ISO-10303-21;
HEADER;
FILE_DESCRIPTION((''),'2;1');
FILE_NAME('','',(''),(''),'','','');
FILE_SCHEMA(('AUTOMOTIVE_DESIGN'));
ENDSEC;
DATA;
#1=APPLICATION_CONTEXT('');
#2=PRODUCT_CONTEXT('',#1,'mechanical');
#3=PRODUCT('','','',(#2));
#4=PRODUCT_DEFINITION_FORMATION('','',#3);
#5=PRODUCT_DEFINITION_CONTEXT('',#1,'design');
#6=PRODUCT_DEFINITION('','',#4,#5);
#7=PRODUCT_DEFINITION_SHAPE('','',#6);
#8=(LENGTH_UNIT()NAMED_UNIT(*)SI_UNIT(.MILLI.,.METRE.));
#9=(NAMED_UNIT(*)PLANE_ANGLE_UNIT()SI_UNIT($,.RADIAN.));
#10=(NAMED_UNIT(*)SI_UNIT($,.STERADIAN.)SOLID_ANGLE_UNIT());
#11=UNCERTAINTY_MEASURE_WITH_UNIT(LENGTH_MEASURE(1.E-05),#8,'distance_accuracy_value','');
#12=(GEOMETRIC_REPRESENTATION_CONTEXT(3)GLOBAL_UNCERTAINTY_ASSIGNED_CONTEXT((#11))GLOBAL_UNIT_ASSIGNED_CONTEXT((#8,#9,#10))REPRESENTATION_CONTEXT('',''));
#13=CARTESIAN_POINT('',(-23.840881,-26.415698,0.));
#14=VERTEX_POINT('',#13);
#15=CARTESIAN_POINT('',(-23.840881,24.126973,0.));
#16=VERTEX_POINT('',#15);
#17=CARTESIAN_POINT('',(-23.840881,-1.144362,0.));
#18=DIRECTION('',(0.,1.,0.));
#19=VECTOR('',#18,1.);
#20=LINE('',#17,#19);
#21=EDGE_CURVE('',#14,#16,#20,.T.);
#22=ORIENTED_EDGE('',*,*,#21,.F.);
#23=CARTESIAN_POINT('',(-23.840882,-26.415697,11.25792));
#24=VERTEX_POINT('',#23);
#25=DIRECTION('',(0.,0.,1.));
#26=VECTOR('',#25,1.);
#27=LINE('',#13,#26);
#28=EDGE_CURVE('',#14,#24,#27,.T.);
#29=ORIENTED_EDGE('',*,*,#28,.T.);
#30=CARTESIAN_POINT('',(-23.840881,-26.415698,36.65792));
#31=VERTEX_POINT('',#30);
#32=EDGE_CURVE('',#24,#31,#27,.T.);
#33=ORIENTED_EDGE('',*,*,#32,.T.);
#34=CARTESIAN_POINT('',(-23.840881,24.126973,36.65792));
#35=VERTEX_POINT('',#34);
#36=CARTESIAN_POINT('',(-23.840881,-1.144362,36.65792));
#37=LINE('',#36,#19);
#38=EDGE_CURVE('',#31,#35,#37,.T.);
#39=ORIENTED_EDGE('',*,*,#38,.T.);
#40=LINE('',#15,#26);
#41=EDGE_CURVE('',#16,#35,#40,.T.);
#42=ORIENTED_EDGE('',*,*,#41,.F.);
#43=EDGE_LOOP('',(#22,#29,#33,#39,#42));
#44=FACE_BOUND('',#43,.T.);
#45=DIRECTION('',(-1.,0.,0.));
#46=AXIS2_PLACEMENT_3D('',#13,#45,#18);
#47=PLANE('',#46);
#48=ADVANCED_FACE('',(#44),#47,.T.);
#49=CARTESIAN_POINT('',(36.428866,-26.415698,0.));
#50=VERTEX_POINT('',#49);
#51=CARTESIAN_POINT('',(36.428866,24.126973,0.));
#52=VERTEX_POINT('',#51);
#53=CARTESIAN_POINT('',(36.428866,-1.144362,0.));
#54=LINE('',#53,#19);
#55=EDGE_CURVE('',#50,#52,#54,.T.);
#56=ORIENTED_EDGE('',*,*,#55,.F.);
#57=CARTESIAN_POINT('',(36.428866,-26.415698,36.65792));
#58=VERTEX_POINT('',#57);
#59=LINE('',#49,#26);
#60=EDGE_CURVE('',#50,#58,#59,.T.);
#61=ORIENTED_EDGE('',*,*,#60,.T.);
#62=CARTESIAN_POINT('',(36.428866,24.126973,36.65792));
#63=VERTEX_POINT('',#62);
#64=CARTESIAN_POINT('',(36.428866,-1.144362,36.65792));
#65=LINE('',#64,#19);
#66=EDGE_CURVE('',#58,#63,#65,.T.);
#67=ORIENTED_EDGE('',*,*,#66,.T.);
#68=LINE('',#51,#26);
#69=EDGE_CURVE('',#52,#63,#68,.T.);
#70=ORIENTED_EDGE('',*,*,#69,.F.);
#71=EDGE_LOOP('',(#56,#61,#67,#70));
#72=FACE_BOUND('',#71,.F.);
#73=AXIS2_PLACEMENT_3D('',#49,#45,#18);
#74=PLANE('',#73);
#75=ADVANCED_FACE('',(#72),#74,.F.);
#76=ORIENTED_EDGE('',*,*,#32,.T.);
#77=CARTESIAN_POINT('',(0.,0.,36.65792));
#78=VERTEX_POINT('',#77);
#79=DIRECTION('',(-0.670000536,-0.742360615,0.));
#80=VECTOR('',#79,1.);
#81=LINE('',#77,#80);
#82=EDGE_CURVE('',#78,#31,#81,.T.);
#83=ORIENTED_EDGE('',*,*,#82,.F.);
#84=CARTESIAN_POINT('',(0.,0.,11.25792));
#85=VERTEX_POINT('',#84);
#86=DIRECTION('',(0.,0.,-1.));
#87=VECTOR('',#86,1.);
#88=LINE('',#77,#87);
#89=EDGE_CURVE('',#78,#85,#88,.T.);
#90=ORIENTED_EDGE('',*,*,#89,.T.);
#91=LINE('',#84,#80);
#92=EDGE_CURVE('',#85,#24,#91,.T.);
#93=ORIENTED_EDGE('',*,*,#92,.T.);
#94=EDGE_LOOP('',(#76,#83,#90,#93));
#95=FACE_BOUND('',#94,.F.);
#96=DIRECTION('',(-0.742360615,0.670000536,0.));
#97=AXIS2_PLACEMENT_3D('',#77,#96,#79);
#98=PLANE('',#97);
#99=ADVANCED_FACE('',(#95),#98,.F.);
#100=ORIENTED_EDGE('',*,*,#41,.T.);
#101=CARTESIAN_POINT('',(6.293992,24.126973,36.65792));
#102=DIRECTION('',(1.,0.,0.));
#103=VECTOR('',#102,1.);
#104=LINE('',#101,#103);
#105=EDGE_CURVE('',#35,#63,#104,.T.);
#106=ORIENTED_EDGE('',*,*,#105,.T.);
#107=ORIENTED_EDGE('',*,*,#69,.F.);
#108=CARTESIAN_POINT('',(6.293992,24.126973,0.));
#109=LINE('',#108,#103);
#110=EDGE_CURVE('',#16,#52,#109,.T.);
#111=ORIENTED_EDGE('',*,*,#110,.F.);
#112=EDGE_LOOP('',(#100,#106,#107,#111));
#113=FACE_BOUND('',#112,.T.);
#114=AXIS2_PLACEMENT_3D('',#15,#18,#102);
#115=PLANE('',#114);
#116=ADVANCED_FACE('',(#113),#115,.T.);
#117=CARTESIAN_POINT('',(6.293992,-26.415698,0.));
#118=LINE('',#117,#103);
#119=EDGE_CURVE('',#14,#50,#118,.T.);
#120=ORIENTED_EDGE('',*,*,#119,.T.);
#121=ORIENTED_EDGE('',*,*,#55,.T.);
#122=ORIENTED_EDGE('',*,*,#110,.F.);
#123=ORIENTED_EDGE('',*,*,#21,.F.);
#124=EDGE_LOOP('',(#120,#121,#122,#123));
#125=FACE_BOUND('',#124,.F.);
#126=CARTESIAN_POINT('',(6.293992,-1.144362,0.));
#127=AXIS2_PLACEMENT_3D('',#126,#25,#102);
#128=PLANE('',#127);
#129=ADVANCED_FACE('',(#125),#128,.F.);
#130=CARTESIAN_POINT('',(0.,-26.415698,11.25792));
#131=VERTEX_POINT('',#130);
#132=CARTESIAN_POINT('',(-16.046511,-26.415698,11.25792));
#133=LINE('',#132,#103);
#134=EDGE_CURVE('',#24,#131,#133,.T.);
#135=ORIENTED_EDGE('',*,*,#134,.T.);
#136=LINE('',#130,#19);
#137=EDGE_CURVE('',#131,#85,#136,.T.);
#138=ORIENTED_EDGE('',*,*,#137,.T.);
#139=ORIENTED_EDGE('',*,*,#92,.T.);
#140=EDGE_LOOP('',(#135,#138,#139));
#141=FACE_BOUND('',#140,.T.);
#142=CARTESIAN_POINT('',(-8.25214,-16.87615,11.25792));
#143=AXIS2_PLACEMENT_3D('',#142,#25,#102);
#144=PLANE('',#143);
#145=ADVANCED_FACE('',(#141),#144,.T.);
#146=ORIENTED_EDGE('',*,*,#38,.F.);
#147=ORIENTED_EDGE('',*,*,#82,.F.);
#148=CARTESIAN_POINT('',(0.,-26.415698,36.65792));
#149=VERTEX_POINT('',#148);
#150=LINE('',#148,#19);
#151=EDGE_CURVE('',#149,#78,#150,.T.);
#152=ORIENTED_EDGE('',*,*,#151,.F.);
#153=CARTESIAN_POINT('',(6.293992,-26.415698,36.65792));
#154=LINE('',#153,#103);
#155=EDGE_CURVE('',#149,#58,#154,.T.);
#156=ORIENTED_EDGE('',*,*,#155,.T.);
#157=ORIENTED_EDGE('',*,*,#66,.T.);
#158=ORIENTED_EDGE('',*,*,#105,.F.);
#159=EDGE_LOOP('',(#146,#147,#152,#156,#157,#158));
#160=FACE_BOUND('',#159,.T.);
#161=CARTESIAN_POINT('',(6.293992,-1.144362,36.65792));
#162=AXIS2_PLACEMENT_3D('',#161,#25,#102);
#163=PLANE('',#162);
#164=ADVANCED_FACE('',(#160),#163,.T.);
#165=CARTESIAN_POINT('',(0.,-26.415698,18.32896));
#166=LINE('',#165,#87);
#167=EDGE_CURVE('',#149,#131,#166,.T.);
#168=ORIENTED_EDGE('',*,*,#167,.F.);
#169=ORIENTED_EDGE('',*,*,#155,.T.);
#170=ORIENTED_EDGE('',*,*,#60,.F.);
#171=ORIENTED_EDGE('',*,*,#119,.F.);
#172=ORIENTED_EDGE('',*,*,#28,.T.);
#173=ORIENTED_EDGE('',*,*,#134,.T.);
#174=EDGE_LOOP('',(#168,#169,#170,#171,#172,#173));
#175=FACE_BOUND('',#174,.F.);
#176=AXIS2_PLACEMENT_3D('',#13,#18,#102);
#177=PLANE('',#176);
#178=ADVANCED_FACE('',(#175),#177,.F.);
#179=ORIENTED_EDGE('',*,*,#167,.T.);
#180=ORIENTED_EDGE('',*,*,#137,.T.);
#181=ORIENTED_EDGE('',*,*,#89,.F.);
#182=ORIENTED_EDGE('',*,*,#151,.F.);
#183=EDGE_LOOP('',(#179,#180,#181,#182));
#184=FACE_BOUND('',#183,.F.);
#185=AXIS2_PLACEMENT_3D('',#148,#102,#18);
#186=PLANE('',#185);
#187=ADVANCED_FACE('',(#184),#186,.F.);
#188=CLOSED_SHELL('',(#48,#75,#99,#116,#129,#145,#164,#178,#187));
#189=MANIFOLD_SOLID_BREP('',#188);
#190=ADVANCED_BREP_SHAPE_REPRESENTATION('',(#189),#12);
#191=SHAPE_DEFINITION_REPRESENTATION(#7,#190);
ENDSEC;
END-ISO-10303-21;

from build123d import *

# Parameters (mm, degrees)
F0_W     = 60.269747
F0_H     = 50.542671
F1_DEPTH = 36.65792
F3_DEPTH = 25.4


with BuildPart() as f1:
    # F0 (on Top) → F1 (new body)
    with BuildSketch(Plane.XY):
        with Locations((6.293992, -1.144362)):
            Rectangle(F0_W, F0_H)
    extrude(amount=F1_DEPTH)

    # F2 (on face) → F3 (cut)
    with BuildSketch(Plane.XY.offset(36.65792)):
        Polygon((0, 0), (-23.840882, -26.415698), (0, -26.415698), align=None)
    extrude(amount=-F3_DEPTH, mode=Mode.SUBTRACT)


solid = f1.part
